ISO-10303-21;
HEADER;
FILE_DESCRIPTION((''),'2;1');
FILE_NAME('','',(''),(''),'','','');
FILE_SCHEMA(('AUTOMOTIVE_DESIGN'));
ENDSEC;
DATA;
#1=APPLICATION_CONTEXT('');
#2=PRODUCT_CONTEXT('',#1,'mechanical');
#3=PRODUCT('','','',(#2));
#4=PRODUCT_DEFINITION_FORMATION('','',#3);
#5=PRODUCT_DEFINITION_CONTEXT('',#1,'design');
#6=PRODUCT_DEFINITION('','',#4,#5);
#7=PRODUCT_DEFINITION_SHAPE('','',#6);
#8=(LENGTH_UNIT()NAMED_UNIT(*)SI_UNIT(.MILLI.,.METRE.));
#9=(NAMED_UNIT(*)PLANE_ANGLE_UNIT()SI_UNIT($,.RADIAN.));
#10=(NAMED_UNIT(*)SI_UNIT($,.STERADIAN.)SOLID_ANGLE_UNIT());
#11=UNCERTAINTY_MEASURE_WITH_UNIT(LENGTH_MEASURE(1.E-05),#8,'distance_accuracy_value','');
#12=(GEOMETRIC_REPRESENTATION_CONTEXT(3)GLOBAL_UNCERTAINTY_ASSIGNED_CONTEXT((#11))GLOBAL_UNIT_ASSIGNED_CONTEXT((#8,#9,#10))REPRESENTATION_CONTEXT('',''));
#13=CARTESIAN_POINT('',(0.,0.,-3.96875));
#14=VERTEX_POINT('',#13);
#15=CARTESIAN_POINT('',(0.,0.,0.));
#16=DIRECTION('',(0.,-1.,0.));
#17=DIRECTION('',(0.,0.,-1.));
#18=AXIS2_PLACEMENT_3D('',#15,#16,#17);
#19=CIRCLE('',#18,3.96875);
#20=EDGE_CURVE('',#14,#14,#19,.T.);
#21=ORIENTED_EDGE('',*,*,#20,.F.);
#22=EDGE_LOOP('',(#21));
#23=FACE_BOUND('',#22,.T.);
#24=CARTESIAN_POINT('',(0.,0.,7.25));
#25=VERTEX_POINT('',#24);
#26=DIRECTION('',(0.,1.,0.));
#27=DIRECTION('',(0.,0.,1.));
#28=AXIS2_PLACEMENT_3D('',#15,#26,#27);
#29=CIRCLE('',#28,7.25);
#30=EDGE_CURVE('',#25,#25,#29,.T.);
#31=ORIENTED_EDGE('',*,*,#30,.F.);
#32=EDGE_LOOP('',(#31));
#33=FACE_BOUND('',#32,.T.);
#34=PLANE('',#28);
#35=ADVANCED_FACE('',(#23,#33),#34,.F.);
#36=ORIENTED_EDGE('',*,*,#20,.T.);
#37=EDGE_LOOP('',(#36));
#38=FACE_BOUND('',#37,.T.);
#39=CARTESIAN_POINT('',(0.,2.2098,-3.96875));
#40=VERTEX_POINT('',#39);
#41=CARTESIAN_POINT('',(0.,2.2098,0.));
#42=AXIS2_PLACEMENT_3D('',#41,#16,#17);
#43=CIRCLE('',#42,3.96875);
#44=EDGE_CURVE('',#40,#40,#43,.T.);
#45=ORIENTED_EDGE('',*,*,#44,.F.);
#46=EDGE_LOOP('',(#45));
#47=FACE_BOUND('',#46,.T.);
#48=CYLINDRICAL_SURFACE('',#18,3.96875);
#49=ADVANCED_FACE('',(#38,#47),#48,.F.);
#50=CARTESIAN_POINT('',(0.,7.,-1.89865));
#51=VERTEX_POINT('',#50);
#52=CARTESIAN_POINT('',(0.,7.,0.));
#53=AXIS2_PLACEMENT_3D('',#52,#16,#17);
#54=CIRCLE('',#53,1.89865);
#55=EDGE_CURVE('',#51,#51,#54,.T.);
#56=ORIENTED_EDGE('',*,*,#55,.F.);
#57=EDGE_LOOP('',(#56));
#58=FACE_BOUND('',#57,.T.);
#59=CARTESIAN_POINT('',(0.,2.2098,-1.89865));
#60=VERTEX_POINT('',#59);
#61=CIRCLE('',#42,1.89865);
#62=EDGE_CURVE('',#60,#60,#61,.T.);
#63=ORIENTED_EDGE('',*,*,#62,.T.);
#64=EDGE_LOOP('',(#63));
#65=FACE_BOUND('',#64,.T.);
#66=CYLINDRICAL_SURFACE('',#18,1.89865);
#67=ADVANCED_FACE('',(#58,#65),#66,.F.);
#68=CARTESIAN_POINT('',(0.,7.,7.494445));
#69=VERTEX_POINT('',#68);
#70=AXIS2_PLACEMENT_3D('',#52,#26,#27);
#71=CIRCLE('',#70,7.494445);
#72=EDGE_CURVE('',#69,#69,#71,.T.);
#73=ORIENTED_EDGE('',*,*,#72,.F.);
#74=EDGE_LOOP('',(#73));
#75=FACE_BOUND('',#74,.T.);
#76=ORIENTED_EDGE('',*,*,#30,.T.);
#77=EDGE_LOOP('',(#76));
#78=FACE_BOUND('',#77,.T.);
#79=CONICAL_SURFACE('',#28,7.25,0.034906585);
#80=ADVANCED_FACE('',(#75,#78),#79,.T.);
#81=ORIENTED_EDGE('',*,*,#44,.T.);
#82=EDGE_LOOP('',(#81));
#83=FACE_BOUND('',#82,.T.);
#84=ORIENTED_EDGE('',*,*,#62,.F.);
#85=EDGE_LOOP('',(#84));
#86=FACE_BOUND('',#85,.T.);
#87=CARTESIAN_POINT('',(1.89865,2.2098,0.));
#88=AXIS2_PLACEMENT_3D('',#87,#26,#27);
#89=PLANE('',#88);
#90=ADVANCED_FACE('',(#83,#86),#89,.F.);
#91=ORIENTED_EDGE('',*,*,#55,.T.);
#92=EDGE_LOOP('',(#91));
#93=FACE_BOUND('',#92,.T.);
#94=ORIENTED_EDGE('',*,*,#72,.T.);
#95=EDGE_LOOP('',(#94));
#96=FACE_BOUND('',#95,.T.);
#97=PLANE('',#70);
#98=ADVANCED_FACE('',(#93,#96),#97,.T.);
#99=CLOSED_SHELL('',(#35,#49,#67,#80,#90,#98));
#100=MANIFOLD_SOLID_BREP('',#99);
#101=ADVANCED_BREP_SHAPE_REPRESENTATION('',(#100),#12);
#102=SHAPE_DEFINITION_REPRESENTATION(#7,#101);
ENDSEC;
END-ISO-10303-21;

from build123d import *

# Parameters (mm, degrees)
SKETCH1_R                                           = 7.25
BOSS_EXTRUDE2_DEPTH                                 = 7
BOSS_EXTRUDE2_DRAFT                                 = -2
CBORE_FOR_6_BINDING_HEAD_MACHINE_SCREW1_D           = 3.7973
CBORE_FOR_6_BINDING_HEAD_MACHINE_SCREW1_CBORE_D     = 7.9375
CBORE_FOR_6_BINDING_HEAD_MACHINE_SCREW1_CBORE_DEPTH = 2.2098


with BuildPart() as part:
    # Sketch1 → Boss-Extrude2 (with draft: the straight prism first)
    with BuildSketch(Plane(origin=(0, 0, 0), x_dir=(1, 0, 0), z_dir=(0, 1, 0))):
        Circle(SKETCH1_R)
    extrude(amount=BOSS_EXTRUDE2_DEPTH)
    # Boss-Extrude2: the draft: its side faces are tilted about the plane it starts from
    boss_extrude2_sides = [part.faces().sort_by_distance(p)[0] for p in [
        (-7.25, 3.5, 0),
    ]]
    draft(boss_extrude2_sides, Plane(origin=(0, 0, 0), x_dir=(1, 0, 0), z_dir=(0, 1, 0)), BOSS_EXTRUDE2_DRAFT)

    # CBORE for #6 Binding Head Machine Screw1 (through all)
    with Locations(Plane(origin=(0, 0, 0), x_dir=(-1, 0, 0), z_dir=(0, -1, 0))):
        with Locations((0, 0)):
            CounterBoreHole(CBORE_FOR_6_BINDING_HEAD_MACHINE_SCREW1_D / 2, CBORE_FOR_6_BINDING_HEAD_MACHINE_SCREW1_CBORE_D / 2, CBORE_FOR_6_BINDING_HEAD_MACHINE_SCREW1_CBORE_DEPTH)


solid = part.part
